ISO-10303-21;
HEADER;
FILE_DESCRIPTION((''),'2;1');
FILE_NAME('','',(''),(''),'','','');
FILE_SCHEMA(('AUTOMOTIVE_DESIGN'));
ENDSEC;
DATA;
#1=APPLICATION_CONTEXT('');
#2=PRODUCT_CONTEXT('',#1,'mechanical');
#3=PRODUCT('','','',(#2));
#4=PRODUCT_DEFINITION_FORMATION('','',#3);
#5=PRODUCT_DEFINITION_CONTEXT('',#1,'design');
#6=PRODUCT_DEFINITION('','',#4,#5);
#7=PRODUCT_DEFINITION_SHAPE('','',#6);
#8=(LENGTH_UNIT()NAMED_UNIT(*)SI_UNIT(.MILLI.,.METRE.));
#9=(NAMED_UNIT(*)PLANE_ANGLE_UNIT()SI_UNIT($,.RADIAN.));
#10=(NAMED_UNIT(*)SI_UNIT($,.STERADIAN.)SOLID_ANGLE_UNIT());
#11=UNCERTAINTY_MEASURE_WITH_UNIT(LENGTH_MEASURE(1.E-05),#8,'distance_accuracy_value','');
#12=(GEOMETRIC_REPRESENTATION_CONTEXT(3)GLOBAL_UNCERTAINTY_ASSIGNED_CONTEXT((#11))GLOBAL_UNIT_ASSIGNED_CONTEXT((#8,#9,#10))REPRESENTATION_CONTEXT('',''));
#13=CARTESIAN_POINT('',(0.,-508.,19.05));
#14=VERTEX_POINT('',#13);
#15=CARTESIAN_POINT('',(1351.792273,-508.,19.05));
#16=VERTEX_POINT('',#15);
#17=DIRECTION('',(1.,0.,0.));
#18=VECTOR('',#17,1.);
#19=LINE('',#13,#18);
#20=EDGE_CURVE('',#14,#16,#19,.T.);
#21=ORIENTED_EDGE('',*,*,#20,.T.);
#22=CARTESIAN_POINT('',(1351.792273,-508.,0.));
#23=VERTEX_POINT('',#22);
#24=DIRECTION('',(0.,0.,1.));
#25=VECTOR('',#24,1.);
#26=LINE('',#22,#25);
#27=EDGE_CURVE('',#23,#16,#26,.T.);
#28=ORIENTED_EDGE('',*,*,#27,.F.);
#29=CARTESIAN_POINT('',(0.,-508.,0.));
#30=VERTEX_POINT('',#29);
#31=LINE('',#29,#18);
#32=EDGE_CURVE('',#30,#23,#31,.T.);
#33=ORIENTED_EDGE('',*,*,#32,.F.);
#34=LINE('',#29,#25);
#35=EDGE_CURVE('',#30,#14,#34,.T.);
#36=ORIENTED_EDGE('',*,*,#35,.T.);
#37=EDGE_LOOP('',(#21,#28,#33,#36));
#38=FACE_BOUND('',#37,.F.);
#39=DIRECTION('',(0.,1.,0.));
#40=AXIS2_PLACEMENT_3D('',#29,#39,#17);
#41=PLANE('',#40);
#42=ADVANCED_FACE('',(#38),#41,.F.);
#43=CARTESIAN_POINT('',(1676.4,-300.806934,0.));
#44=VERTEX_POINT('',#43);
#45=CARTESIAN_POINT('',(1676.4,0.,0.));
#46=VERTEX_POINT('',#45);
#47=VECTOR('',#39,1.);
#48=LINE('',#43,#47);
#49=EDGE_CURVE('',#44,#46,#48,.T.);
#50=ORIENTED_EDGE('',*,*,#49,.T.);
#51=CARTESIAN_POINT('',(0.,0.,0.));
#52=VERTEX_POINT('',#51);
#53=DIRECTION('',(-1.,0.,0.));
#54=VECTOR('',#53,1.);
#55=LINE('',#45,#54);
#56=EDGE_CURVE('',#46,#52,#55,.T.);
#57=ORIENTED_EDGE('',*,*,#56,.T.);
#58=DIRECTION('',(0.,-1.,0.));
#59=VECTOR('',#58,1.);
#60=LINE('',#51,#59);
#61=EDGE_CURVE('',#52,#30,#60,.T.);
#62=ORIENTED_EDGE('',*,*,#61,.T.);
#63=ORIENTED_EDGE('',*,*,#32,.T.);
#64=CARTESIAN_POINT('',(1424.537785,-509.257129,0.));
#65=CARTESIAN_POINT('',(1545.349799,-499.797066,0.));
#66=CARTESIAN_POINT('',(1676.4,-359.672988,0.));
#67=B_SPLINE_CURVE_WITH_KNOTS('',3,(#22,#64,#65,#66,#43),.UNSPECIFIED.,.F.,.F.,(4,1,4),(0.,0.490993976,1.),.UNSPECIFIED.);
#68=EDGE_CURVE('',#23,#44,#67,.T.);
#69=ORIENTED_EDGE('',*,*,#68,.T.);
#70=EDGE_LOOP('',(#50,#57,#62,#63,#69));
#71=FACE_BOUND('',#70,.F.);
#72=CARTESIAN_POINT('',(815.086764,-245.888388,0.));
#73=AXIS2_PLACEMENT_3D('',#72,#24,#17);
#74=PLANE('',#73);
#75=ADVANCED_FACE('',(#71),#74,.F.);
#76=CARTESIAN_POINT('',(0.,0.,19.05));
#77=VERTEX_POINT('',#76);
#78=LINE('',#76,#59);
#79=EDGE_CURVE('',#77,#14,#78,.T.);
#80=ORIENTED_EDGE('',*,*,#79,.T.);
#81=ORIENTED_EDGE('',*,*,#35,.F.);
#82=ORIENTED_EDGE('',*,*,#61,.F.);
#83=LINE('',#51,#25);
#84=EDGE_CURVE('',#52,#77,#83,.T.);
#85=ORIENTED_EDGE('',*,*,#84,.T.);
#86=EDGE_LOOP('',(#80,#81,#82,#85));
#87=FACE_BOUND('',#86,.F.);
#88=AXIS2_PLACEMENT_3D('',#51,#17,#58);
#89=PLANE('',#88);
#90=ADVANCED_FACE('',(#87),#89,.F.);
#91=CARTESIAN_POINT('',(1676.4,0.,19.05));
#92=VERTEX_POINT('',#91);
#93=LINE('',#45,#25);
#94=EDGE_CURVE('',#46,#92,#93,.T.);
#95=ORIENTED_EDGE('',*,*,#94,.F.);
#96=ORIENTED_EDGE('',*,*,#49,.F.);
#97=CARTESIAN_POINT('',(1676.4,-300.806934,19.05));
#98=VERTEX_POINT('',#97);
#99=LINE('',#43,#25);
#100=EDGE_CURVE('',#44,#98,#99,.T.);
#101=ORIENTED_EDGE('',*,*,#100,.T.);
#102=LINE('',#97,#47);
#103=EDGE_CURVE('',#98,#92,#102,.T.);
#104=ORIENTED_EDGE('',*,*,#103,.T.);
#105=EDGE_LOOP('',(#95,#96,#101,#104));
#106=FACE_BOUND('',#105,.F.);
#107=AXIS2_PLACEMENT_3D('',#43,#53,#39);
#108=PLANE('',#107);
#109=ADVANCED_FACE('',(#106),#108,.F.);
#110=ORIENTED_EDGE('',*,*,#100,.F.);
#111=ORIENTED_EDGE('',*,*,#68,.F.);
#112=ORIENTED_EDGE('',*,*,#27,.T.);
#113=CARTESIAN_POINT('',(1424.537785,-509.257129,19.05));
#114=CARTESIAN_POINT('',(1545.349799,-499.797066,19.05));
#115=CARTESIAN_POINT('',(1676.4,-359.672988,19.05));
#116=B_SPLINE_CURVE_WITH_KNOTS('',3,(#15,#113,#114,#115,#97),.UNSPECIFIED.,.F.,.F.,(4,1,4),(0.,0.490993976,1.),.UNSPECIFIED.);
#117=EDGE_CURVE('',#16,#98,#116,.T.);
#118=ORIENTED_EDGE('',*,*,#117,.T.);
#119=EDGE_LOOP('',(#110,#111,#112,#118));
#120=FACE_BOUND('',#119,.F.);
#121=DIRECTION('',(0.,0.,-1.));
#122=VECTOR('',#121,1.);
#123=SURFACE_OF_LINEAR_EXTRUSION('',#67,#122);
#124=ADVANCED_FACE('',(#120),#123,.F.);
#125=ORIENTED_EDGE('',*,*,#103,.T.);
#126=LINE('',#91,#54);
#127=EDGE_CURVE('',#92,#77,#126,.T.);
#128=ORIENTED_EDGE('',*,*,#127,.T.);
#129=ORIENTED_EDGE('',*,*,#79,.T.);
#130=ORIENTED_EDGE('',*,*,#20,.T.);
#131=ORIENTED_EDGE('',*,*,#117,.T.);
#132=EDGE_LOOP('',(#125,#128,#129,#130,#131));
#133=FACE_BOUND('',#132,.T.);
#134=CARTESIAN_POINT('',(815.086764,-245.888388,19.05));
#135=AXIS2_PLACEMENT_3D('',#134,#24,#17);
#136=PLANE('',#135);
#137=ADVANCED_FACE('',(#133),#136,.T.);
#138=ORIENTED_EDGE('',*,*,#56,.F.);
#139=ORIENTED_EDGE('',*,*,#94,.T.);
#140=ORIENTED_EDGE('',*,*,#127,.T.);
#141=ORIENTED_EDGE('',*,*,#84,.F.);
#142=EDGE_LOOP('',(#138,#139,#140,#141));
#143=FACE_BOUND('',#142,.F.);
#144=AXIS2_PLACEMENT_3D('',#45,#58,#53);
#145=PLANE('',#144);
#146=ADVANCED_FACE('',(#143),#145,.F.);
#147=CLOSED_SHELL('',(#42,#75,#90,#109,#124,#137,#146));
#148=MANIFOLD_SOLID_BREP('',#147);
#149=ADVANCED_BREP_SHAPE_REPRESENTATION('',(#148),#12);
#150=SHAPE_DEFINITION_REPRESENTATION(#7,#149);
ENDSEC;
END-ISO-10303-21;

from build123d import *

# Parameters (mm, degrees)
F1_DEPTH = 19.05


with BuildPart() as f1:
    # F0 (on Top) → F1 (new body)
    with BuildSketch(Plane.XY):
        with BuildLine():
            Line((1676.4, 0), (0, 0))
            Line((0, 0), (0, -508))
            Line((0, -508), (1351.7922725288, -508))
            add(Edge.make_bspline(
                [(1351.7922725288, -508), (1424.5377850671, -509.2571292397), (1545.3497992736, -499.7970663676), (1676.4, -359.6729882774), (1676.4, -300.8069336454)],
                knots=[0, 0, 0, 0, 0.4909939758, 1, 1, 1, 1], degree=3))
            Line((1676.4, -300.8069336454), (1676.4, 0))
        make_face()
    extrude(amount=F1_DEPTH)


solid = f1.part
